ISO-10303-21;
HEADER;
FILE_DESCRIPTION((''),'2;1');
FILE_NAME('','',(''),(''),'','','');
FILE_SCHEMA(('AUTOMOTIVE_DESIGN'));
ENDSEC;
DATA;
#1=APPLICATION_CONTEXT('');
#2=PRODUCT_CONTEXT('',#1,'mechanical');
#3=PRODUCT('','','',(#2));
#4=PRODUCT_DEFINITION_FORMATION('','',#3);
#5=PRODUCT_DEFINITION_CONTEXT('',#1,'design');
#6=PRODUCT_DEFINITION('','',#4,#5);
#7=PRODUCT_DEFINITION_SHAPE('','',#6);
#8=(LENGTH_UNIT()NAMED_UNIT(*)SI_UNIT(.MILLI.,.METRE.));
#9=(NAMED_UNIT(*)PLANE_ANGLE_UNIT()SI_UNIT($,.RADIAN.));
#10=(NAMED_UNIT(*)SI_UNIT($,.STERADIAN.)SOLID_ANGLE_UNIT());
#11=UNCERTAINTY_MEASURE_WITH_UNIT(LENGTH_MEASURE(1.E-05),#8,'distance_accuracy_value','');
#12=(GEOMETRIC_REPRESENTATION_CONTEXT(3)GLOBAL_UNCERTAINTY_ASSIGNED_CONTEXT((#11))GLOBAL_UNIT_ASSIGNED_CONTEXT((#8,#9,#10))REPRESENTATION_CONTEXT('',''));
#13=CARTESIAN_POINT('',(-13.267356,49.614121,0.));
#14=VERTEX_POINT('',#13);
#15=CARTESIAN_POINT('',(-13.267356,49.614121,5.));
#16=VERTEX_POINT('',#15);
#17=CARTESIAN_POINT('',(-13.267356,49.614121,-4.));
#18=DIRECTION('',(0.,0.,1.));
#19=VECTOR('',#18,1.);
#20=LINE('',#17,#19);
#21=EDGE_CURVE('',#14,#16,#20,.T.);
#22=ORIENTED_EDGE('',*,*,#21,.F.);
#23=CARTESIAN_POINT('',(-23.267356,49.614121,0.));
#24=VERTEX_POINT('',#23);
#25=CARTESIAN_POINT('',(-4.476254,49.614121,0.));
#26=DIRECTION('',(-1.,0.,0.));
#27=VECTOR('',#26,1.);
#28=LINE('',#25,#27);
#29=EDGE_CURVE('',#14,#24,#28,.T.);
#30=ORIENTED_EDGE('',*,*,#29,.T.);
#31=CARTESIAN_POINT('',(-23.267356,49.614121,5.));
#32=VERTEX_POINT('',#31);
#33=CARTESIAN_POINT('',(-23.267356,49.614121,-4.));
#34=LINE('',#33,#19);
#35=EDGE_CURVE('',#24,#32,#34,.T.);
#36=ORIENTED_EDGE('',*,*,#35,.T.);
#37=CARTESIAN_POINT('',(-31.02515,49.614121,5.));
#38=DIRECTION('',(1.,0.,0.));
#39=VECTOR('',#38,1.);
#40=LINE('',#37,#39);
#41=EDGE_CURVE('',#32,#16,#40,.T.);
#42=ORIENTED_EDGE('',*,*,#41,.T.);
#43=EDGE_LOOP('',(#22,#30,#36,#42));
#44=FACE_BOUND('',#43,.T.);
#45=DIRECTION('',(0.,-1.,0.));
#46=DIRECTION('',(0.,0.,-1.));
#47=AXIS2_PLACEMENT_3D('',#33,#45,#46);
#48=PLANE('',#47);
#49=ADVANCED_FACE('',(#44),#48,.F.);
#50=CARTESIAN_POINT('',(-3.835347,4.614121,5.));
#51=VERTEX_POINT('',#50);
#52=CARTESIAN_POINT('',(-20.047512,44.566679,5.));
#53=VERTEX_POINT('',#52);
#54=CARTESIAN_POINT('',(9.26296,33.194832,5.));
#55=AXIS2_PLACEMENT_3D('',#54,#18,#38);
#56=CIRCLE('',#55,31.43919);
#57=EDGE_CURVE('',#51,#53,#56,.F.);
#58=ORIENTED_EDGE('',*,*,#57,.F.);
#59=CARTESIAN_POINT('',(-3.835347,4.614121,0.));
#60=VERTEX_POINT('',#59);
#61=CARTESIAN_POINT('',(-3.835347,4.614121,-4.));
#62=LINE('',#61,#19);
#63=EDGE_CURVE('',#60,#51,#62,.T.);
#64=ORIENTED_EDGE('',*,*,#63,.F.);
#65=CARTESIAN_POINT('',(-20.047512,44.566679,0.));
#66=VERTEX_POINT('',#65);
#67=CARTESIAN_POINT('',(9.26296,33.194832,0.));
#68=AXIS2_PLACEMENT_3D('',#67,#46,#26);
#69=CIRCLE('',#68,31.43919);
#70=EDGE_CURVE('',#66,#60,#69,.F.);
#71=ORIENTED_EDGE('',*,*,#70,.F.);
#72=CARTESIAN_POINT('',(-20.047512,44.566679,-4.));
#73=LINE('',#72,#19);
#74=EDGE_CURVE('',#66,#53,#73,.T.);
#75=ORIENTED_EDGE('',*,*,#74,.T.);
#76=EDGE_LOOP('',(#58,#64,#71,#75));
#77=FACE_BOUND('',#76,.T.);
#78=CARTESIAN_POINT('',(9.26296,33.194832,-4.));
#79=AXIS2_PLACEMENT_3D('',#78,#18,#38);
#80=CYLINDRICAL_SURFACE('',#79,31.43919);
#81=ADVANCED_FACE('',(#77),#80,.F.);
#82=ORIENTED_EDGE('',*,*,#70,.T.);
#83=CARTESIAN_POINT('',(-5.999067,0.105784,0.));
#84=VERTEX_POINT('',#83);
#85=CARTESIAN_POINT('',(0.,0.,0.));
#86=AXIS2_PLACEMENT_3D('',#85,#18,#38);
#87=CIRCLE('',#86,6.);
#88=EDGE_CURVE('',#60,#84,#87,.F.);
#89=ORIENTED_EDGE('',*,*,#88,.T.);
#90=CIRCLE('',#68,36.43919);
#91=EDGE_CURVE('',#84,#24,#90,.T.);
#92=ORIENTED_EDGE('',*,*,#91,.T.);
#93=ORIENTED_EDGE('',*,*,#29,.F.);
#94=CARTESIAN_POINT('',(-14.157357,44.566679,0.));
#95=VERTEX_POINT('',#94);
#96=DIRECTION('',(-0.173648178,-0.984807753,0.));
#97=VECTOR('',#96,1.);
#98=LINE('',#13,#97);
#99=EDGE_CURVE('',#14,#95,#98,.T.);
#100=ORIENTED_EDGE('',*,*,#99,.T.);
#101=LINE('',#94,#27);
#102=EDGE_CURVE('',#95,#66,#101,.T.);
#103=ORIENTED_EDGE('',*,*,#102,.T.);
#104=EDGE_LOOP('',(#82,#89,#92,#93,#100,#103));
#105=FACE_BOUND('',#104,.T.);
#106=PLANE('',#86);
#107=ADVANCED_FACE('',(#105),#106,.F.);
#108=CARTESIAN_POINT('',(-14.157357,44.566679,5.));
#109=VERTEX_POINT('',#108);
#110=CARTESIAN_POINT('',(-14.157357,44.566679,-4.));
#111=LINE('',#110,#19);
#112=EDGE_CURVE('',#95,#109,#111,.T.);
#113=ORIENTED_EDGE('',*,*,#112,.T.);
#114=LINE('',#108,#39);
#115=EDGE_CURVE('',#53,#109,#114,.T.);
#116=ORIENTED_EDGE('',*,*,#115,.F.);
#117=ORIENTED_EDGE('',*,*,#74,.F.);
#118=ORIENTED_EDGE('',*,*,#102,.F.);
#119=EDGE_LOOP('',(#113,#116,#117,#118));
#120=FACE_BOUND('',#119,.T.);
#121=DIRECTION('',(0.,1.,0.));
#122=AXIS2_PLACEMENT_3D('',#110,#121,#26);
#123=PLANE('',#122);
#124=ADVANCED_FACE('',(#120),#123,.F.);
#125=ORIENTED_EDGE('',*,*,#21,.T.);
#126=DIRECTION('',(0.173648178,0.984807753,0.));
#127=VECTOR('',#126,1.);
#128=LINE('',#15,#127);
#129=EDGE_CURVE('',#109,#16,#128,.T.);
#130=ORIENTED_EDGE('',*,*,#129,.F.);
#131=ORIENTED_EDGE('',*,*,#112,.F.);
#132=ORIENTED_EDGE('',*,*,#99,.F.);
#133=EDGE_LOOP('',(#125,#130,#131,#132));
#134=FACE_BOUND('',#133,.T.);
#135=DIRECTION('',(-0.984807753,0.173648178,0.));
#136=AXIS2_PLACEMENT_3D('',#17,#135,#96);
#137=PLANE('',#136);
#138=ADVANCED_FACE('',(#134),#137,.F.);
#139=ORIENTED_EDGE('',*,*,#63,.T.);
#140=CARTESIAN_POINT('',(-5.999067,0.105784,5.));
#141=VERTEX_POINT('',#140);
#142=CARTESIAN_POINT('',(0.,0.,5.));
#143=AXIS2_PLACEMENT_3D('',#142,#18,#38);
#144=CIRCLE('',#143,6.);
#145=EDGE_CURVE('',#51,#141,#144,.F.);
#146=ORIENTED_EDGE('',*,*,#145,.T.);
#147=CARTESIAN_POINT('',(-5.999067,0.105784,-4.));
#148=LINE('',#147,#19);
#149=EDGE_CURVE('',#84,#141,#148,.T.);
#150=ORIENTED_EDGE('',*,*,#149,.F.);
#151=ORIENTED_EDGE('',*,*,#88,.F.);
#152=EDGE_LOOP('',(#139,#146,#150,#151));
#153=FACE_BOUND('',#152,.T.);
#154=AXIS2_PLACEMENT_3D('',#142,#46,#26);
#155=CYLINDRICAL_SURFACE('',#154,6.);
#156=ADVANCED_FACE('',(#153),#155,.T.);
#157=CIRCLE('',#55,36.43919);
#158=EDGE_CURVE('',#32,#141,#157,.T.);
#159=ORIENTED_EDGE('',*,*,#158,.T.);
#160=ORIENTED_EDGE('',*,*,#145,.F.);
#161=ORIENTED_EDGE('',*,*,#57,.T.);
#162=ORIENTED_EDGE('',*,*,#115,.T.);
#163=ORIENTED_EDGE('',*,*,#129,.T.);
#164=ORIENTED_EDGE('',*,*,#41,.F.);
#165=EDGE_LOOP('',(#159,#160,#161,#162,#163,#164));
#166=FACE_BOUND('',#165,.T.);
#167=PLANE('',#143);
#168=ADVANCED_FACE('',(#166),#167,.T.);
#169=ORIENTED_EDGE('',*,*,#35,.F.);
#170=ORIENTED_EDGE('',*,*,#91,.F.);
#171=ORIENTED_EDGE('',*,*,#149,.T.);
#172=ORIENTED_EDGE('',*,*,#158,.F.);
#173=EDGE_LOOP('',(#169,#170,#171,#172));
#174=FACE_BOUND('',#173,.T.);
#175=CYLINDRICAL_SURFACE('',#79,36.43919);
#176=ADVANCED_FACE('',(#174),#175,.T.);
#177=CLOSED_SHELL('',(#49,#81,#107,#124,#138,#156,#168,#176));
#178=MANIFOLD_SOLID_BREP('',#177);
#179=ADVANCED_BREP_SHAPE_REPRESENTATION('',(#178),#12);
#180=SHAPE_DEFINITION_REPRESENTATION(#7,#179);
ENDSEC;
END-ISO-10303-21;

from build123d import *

# Parameters (mm, degrees)
BOSS_EXTRU_2_DEPTH           = 5
BOSS_EXTRU_8_START           = -1
BOSS_EXTRU_8_DEPTH           = 5
ENL_V_MAT_EXTRU_3_DEPTH      = 57.886804216
ENL_V_MAT_EXTRU_3_DEPTH_BACK = 57.886804216
ESQUISSE8_OUTSIDE_W          = 48.282
ESQUISSE8_OUTSIDE_H          = 25.106


with BuildPart() as part:
    # Esquisse1 → Boss.-Extru.2 (new body)
    with BuildSketch(Plane.XY):
        with BuildLine():
            ThreePointArc((5.586871342, -2.187891362), (5.144080872, -3.088435199), (4.557392942, -3.902584986))
            ThreePointArc((4.557392942, -3.902584986), (-5.144080872, 3.088435199), (5.586871342, -2.187891362))
        make_face()
    extrude(amount=BOSS_EXTRU_2_DEPTH)

    # Esquisse7 → Boss.-Extru.8 (add, symmetric)
    with BuildSketch(Plane(origin=(0, 0, 0), x_dir=(-1, 0, 0), z_dir=(0, 0, -1)).offset(BOSS_EXTRU_8_START)):
        with BuildLine():
            Line((23.267356356, 49.614121246), (13.267356356, 49.614121246))
            Line((13.267356356, 49.614121246), (14.157356645, 44.566678785))
            Line((14.157356645, 44.566678785), (20.047511648, 44.566678785))
            ThreePointArc((20.047511648, 44.566678785), (19.869115778, 21.373460498), (3.835346807, 4.614121246))
            ThreePointArc((3.835346807, 4.614121246), (5.409269967, 2.596112175), (5.999067404, 0.105784144))
            ThreePointArc((5.999067404, 0.105784144), (25.143375104, 21.19405426), (23.267356356, 49.614121246))
        make_face()
    extrude(amount=BOSS_EXTRU_8_DEPTH, both=True)

    # Esquisse8 outside → Enlèv. mat.-Extru.3 (cut, two sides: drawn at the far end of the back side and taken through both)
    with BuildSketch(Plane(origin=(0, 0, 0), x_dir=(1, 0, 0), z_dir=(0, 1, 0)).offset(-ENL_V_MAT_EXTRU_3_DEPTH_BACK)):
        with Locations((-10.588, -1)):
            Rectangle(ESQUISSE8_OUTSIDE_W, ESQUISSE8_OUTSIDE_H)
        Polygon((-31.025150446, 0), (-31.025150446, -5), (-4.47625447, -5), (6.185645272, -5), (6.185645272, 0), (-4.47625447, 0), align=None, mode=Mode.SUBTRACT)
    extrude(amount=ENL_V_MAT_EXTRU_3_DEPTH + ENL_V_MAT_EXTRU_3_DEPTH_BACK, mode=Mode.SUBTRACT)


solid = part.part
